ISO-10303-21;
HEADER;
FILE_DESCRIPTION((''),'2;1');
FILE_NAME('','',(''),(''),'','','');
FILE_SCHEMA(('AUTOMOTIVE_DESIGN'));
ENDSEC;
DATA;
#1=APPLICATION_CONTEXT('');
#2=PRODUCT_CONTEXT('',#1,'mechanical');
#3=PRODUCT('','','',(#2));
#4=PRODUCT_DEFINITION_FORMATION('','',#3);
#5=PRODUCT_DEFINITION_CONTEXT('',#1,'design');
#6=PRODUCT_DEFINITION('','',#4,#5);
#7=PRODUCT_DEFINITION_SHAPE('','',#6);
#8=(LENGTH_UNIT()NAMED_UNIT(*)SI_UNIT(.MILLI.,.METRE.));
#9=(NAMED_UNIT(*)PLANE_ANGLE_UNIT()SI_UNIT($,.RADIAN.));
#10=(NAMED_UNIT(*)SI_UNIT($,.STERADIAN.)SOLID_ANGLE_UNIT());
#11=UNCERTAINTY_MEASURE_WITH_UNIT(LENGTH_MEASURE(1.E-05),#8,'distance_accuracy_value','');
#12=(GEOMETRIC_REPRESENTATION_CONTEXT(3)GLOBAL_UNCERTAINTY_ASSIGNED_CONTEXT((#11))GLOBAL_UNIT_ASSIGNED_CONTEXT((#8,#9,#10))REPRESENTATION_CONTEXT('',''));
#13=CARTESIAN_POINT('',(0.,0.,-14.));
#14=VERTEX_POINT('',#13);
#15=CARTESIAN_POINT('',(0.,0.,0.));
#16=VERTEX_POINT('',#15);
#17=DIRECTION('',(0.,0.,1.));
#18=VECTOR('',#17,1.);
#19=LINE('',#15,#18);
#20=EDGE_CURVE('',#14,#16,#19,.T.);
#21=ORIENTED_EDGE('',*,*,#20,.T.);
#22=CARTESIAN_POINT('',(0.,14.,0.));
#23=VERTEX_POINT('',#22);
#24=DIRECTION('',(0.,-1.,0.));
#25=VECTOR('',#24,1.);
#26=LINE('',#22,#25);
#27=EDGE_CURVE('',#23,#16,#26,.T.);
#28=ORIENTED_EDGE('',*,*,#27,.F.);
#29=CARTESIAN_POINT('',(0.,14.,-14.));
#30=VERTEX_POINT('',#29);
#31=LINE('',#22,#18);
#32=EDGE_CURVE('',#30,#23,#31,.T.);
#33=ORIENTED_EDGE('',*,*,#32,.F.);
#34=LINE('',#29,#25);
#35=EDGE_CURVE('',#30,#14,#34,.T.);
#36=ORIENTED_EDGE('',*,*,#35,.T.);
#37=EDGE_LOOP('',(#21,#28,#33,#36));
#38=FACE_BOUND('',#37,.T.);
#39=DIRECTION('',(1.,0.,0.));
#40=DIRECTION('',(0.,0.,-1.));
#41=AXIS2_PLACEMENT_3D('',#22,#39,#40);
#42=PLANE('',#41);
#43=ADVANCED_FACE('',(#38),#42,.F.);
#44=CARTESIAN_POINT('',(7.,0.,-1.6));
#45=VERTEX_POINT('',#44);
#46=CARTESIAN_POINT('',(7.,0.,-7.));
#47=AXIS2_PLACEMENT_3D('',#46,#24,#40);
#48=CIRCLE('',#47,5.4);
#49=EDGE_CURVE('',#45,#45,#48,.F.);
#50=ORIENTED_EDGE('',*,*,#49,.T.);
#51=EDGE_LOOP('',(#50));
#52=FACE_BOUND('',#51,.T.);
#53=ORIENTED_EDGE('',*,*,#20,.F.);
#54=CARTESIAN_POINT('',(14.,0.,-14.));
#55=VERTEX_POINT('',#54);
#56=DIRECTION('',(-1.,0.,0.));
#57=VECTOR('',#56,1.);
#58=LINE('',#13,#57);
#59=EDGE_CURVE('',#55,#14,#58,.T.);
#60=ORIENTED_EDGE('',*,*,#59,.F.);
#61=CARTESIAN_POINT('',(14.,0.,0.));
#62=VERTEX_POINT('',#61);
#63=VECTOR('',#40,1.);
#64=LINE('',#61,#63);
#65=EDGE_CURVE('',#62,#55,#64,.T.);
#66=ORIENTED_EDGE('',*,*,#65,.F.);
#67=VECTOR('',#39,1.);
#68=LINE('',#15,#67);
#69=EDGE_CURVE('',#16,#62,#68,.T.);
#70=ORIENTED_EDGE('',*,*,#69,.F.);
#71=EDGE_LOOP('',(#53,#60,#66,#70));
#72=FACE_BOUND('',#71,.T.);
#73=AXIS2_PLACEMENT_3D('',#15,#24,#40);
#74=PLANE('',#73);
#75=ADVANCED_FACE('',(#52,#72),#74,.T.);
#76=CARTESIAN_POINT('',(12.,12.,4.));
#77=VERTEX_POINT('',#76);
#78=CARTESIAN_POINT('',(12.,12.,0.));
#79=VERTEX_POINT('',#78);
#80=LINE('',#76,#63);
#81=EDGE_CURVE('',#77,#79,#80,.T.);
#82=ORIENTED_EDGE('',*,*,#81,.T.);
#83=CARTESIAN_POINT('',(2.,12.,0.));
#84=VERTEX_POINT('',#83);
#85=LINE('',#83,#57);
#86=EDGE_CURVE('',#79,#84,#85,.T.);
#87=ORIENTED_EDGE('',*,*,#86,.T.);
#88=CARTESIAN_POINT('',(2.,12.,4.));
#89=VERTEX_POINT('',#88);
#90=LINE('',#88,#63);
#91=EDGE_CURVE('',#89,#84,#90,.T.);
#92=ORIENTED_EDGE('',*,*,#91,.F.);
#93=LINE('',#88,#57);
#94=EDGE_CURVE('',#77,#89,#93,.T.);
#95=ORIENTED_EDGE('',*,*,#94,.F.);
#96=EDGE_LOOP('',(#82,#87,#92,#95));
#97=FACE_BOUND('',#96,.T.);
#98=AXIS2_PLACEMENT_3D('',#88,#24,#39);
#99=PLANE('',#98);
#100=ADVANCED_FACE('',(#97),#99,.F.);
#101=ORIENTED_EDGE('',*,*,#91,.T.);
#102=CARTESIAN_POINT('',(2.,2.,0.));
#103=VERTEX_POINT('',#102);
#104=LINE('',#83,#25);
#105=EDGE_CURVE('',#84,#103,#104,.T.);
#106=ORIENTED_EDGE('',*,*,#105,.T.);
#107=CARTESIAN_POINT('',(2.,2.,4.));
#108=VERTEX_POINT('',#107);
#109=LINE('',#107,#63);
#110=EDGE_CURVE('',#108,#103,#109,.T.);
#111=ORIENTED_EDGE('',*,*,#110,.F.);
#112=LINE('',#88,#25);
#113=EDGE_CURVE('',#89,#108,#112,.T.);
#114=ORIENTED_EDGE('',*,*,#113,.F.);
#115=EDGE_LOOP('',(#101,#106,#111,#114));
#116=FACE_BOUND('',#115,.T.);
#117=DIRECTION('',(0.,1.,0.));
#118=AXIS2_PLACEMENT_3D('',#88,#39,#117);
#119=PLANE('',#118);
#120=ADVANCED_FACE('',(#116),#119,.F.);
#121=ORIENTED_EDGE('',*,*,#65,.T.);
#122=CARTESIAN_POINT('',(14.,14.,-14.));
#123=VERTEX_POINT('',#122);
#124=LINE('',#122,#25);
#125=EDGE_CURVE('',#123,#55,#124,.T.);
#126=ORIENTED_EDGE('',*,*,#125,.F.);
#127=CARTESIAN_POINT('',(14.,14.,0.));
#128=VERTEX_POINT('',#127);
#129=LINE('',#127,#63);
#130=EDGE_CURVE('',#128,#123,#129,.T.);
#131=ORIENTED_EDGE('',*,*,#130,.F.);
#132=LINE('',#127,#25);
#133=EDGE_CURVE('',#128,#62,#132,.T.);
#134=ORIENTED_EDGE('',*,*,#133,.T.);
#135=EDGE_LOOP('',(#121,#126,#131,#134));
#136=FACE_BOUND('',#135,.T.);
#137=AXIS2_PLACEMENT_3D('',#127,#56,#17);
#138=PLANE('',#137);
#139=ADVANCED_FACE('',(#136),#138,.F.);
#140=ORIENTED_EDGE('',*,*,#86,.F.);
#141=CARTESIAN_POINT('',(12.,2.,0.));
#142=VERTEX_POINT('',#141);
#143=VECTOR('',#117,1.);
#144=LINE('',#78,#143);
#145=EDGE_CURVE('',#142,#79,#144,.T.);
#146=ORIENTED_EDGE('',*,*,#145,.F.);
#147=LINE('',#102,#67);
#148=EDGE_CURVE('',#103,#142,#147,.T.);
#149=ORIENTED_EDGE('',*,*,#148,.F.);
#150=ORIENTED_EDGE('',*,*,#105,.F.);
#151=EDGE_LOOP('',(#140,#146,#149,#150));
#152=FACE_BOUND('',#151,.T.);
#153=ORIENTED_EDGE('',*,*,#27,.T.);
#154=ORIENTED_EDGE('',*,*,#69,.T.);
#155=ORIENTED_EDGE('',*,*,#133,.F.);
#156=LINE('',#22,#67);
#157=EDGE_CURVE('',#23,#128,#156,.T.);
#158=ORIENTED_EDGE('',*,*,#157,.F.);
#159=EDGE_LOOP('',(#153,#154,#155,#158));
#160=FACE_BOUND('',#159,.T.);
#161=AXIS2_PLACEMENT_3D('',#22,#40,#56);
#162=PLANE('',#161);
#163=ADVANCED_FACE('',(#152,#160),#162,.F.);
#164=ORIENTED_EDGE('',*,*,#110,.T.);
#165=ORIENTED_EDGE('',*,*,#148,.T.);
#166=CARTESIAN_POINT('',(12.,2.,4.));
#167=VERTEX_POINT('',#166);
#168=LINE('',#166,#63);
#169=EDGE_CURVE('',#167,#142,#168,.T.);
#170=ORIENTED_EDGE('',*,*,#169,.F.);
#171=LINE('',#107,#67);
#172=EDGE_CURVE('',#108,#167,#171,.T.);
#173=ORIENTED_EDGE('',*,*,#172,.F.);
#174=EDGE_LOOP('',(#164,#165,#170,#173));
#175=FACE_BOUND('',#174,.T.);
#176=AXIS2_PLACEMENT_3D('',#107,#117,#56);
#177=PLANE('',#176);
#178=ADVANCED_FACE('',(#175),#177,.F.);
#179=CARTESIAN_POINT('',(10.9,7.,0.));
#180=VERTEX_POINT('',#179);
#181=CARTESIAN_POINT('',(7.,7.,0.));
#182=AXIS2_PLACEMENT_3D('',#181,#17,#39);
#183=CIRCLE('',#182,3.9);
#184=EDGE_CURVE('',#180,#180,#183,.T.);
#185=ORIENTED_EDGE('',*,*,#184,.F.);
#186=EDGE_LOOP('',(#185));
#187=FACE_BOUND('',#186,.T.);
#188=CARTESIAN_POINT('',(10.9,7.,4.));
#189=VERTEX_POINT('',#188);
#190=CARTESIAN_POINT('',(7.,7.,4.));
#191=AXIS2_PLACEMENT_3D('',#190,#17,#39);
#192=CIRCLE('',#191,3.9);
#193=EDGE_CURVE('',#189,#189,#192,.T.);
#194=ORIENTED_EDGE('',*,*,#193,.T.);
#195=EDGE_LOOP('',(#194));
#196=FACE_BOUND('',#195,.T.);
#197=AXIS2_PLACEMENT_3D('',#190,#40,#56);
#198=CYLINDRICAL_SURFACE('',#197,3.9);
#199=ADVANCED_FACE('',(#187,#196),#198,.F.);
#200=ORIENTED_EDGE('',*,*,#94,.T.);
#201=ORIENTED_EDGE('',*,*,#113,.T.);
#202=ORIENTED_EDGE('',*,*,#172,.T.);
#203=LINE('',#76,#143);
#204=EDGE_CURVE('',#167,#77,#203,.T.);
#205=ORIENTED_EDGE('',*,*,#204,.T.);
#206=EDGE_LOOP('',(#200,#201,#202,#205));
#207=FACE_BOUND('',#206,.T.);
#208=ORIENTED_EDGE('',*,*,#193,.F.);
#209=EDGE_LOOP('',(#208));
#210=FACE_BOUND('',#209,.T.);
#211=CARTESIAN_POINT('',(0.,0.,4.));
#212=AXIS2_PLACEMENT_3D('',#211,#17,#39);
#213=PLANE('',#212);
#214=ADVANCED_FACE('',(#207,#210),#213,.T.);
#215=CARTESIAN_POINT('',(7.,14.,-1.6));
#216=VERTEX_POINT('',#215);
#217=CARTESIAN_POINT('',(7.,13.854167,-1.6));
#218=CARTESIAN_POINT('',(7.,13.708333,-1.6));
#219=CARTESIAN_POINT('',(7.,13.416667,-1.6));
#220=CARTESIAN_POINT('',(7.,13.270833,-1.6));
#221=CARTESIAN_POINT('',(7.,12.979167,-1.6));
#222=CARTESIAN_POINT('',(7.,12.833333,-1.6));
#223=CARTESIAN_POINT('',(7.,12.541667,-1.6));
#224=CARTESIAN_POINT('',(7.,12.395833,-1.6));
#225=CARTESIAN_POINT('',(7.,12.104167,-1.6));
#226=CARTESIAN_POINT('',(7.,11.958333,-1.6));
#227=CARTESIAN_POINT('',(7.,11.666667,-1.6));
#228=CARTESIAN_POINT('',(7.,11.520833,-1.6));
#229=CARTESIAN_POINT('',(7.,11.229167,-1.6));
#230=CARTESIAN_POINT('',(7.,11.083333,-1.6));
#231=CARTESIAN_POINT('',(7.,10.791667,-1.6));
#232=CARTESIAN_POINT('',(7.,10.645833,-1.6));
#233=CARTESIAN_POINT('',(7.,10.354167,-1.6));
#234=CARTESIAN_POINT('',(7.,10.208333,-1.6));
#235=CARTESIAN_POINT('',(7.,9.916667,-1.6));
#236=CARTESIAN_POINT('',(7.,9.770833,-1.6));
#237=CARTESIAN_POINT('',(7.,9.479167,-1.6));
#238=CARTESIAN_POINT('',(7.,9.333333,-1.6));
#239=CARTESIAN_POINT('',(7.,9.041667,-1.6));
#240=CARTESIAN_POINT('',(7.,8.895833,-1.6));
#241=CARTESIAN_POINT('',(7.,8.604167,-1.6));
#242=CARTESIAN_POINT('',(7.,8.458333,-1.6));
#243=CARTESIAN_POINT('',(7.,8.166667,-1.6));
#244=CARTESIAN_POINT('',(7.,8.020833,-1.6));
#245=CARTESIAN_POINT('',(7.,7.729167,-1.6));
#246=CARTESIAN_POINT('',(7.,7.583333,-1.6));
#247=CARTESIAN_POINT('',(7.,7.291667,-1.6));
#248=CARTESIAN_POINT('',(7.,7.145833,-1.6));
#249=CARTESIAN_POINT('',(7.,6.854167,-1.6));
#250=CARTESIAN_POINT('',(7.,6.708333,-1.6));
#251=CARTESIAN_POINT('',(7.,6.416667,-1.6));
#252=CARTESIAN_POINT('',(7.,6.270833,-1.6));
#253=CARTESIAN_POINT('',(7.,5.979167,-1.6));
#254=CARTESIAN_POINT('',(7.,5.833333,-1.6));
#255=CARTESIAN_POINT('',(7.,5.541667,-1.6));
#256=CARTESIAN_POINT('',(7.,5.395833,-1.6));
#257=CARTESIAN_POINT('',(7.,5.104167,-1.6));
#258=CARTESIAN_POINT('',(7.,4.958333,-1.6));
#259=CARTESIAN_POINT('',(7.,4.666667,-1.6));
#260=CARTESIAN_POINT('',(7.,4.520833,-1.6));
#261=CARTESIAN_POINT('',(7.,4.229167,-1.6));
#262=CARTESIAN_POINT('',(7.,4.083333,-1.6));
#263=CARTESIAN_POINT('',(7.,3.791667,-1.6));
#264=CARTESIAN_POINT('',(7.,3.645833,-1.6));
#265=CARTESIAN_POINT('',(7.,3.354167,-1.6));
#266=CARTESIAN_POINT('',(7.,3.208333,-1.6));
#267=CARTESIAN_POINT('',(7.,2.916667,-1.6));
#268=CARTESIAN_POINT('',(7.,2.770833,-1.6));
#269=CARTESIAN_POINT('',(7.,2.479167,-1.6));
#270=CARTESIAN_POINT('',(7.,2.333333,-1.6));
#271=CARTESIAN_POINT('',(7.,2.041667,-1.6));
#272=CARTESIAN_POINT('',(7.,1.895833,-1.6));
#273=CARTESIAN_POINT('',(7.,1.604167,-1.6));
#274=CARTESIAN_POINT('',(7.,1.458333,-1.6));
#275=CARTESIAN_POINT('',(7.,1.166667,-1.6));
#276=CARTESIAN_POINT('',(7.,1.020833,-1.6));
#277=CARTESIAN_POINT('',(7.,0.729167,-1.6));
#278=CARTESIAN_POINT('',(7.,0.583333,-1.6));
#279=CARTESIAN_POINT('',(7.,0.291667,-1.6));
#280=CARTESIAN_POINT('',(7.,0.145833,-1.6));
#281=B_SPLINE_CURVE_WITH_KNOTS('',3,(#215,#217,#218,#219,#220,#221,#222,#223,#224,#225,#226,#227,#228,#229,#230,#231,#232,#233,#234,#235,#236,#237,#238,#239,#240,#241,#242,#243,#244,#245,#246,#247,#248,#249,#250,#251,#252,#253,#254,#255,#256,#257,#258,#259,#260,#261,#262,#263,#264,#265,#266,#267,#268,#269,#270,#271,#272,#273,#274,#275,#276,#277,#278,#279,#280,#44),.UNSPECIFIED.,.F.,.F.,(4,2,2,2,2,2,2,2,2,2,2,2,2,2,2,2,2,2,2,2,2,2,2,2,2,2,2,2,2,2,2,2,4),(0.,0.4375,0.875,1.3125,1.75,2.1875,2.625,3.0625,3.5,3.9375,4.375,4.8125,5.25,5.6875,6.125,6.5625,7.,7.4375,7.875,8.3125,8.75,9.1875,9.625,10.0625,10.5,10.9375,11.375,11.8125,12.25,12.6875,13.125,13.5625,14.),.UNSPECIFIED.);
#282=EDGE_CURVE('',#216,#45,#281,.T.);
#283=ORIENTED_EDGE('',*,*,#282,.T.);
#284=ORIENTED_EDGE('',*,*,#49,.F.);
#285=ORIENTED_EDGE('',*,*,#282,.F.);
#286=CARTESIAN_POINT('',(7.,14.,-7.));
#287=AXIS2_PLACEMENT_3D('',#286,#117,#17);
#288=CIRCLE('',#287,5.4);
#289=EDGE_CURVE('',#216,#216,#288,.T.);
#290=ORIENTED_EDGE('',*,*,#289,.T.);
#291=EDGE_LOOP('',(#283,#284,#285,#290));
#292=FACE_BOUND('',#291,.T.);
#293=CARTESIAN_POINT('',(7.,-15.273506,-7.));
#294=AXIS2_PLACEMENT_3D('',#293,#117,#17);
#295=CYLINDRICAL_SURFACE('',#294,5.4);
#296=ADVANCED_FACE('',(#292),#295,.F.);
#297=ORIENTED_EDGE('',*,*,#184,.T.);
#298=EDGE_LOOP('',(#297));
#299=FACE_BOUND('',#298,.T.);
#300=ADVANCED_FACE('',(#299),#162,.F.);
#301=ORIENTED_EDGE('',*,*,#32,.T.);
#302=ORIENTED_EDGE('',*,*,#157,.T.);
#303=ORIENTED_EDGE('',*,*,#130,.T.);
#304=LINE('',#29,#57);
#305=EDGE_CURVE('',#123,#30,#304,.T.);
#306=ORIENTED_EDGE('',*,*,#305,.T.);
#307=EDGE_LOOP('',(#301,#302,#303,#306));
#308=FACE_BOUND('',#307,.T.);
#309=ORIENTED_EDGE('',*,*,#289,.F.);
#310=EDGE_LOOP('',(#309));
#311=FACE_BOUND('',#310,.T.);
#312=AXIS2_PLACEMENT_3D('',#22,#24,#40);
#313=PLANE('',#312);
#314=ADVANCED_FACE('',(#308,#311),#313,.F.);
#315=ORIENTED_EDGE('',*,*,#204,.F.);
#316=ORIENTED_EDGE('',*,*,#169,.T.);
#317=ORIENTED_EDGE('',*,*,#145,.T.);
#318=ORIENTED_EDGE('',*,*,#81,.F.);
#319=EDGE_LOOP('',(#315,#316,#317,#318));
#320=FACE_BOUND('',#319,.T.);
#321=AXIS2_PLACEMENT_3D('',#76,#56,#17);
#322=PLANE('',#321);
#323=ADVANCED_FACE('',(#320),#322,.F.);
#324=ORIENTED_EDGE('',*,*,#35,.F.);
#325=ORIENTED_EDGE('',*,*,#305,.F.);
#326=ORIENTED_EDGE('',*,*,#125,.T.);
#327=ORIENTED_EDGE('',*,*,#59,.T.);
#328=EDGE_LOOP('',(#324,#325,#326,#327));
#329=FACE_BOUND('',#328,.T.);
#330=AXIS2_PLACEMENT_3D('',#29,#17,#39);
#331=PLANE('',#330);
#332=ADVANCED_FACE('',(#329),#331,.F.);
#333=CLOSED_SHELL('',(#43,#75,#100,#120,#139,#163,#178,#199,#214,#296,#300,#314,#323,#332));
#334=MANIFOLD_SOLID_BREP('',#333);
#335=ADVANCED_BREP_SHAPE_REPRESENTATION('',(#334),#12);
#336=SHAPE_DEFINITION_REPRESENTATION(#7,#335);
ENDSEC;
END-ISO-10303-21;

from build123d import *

# Parameters (mm, degrees)
SKETCH_1_W          = 14
SKETCH_1_H          = 14
EXTRUDE_1_DEPTH     = 14
SKETCH_2_W          = 10
SKETCH_2_H          = 10
SKETCH_2_R          = 3.9
EXTRUDE_2_DEPTH     = 4
SKETCH_3_R          = 5.4
CUT_EXTRUDE_1_DEPTH = 14


with BuildPart() as part:
    # 草图1 → 凸台-拉伸1 (new body)
    with BuildSketch(Plane(origin=(0, 0, 0), x_dir=(1, 0, 0), z_dir=(0, 1, 0))):
        with Locations((7, 7)):
            Rectangle(SKETCH_1_W, SKETCH_1_H)
    extrude(amount=EXTRUDE_1_DEPTH)

    # 草图2 → 凸台-拉伸2 (add)
    with BuildSketch(Plane.XY):
        with Locations((7, 7)):
            Rectangle(SKETCH_2_W, SKETCH_2_H)
        with Locations((7, 7)):
            Circle(SKETCH_2_R, mode=Mode.SUBTRACT)
    extrude(amount=EXTRUDE_2_DEPTH)

    # 草图3 → 切除-拉伸1 (cut)
    with BuildSketch(Plane(origin=(0, 14, 0), x_dir=(1, 0, 0), z_dir=(0, 1, 0))):
        with Locations(Location((7, 7, 0), (0, 0, 270))):
            Circle(SKETCH_3_R)
    extrude(amount=-CUT_EXTRUDE_1_DEPTH, mode=Mode.SUBTRACT)


solid = part.part
